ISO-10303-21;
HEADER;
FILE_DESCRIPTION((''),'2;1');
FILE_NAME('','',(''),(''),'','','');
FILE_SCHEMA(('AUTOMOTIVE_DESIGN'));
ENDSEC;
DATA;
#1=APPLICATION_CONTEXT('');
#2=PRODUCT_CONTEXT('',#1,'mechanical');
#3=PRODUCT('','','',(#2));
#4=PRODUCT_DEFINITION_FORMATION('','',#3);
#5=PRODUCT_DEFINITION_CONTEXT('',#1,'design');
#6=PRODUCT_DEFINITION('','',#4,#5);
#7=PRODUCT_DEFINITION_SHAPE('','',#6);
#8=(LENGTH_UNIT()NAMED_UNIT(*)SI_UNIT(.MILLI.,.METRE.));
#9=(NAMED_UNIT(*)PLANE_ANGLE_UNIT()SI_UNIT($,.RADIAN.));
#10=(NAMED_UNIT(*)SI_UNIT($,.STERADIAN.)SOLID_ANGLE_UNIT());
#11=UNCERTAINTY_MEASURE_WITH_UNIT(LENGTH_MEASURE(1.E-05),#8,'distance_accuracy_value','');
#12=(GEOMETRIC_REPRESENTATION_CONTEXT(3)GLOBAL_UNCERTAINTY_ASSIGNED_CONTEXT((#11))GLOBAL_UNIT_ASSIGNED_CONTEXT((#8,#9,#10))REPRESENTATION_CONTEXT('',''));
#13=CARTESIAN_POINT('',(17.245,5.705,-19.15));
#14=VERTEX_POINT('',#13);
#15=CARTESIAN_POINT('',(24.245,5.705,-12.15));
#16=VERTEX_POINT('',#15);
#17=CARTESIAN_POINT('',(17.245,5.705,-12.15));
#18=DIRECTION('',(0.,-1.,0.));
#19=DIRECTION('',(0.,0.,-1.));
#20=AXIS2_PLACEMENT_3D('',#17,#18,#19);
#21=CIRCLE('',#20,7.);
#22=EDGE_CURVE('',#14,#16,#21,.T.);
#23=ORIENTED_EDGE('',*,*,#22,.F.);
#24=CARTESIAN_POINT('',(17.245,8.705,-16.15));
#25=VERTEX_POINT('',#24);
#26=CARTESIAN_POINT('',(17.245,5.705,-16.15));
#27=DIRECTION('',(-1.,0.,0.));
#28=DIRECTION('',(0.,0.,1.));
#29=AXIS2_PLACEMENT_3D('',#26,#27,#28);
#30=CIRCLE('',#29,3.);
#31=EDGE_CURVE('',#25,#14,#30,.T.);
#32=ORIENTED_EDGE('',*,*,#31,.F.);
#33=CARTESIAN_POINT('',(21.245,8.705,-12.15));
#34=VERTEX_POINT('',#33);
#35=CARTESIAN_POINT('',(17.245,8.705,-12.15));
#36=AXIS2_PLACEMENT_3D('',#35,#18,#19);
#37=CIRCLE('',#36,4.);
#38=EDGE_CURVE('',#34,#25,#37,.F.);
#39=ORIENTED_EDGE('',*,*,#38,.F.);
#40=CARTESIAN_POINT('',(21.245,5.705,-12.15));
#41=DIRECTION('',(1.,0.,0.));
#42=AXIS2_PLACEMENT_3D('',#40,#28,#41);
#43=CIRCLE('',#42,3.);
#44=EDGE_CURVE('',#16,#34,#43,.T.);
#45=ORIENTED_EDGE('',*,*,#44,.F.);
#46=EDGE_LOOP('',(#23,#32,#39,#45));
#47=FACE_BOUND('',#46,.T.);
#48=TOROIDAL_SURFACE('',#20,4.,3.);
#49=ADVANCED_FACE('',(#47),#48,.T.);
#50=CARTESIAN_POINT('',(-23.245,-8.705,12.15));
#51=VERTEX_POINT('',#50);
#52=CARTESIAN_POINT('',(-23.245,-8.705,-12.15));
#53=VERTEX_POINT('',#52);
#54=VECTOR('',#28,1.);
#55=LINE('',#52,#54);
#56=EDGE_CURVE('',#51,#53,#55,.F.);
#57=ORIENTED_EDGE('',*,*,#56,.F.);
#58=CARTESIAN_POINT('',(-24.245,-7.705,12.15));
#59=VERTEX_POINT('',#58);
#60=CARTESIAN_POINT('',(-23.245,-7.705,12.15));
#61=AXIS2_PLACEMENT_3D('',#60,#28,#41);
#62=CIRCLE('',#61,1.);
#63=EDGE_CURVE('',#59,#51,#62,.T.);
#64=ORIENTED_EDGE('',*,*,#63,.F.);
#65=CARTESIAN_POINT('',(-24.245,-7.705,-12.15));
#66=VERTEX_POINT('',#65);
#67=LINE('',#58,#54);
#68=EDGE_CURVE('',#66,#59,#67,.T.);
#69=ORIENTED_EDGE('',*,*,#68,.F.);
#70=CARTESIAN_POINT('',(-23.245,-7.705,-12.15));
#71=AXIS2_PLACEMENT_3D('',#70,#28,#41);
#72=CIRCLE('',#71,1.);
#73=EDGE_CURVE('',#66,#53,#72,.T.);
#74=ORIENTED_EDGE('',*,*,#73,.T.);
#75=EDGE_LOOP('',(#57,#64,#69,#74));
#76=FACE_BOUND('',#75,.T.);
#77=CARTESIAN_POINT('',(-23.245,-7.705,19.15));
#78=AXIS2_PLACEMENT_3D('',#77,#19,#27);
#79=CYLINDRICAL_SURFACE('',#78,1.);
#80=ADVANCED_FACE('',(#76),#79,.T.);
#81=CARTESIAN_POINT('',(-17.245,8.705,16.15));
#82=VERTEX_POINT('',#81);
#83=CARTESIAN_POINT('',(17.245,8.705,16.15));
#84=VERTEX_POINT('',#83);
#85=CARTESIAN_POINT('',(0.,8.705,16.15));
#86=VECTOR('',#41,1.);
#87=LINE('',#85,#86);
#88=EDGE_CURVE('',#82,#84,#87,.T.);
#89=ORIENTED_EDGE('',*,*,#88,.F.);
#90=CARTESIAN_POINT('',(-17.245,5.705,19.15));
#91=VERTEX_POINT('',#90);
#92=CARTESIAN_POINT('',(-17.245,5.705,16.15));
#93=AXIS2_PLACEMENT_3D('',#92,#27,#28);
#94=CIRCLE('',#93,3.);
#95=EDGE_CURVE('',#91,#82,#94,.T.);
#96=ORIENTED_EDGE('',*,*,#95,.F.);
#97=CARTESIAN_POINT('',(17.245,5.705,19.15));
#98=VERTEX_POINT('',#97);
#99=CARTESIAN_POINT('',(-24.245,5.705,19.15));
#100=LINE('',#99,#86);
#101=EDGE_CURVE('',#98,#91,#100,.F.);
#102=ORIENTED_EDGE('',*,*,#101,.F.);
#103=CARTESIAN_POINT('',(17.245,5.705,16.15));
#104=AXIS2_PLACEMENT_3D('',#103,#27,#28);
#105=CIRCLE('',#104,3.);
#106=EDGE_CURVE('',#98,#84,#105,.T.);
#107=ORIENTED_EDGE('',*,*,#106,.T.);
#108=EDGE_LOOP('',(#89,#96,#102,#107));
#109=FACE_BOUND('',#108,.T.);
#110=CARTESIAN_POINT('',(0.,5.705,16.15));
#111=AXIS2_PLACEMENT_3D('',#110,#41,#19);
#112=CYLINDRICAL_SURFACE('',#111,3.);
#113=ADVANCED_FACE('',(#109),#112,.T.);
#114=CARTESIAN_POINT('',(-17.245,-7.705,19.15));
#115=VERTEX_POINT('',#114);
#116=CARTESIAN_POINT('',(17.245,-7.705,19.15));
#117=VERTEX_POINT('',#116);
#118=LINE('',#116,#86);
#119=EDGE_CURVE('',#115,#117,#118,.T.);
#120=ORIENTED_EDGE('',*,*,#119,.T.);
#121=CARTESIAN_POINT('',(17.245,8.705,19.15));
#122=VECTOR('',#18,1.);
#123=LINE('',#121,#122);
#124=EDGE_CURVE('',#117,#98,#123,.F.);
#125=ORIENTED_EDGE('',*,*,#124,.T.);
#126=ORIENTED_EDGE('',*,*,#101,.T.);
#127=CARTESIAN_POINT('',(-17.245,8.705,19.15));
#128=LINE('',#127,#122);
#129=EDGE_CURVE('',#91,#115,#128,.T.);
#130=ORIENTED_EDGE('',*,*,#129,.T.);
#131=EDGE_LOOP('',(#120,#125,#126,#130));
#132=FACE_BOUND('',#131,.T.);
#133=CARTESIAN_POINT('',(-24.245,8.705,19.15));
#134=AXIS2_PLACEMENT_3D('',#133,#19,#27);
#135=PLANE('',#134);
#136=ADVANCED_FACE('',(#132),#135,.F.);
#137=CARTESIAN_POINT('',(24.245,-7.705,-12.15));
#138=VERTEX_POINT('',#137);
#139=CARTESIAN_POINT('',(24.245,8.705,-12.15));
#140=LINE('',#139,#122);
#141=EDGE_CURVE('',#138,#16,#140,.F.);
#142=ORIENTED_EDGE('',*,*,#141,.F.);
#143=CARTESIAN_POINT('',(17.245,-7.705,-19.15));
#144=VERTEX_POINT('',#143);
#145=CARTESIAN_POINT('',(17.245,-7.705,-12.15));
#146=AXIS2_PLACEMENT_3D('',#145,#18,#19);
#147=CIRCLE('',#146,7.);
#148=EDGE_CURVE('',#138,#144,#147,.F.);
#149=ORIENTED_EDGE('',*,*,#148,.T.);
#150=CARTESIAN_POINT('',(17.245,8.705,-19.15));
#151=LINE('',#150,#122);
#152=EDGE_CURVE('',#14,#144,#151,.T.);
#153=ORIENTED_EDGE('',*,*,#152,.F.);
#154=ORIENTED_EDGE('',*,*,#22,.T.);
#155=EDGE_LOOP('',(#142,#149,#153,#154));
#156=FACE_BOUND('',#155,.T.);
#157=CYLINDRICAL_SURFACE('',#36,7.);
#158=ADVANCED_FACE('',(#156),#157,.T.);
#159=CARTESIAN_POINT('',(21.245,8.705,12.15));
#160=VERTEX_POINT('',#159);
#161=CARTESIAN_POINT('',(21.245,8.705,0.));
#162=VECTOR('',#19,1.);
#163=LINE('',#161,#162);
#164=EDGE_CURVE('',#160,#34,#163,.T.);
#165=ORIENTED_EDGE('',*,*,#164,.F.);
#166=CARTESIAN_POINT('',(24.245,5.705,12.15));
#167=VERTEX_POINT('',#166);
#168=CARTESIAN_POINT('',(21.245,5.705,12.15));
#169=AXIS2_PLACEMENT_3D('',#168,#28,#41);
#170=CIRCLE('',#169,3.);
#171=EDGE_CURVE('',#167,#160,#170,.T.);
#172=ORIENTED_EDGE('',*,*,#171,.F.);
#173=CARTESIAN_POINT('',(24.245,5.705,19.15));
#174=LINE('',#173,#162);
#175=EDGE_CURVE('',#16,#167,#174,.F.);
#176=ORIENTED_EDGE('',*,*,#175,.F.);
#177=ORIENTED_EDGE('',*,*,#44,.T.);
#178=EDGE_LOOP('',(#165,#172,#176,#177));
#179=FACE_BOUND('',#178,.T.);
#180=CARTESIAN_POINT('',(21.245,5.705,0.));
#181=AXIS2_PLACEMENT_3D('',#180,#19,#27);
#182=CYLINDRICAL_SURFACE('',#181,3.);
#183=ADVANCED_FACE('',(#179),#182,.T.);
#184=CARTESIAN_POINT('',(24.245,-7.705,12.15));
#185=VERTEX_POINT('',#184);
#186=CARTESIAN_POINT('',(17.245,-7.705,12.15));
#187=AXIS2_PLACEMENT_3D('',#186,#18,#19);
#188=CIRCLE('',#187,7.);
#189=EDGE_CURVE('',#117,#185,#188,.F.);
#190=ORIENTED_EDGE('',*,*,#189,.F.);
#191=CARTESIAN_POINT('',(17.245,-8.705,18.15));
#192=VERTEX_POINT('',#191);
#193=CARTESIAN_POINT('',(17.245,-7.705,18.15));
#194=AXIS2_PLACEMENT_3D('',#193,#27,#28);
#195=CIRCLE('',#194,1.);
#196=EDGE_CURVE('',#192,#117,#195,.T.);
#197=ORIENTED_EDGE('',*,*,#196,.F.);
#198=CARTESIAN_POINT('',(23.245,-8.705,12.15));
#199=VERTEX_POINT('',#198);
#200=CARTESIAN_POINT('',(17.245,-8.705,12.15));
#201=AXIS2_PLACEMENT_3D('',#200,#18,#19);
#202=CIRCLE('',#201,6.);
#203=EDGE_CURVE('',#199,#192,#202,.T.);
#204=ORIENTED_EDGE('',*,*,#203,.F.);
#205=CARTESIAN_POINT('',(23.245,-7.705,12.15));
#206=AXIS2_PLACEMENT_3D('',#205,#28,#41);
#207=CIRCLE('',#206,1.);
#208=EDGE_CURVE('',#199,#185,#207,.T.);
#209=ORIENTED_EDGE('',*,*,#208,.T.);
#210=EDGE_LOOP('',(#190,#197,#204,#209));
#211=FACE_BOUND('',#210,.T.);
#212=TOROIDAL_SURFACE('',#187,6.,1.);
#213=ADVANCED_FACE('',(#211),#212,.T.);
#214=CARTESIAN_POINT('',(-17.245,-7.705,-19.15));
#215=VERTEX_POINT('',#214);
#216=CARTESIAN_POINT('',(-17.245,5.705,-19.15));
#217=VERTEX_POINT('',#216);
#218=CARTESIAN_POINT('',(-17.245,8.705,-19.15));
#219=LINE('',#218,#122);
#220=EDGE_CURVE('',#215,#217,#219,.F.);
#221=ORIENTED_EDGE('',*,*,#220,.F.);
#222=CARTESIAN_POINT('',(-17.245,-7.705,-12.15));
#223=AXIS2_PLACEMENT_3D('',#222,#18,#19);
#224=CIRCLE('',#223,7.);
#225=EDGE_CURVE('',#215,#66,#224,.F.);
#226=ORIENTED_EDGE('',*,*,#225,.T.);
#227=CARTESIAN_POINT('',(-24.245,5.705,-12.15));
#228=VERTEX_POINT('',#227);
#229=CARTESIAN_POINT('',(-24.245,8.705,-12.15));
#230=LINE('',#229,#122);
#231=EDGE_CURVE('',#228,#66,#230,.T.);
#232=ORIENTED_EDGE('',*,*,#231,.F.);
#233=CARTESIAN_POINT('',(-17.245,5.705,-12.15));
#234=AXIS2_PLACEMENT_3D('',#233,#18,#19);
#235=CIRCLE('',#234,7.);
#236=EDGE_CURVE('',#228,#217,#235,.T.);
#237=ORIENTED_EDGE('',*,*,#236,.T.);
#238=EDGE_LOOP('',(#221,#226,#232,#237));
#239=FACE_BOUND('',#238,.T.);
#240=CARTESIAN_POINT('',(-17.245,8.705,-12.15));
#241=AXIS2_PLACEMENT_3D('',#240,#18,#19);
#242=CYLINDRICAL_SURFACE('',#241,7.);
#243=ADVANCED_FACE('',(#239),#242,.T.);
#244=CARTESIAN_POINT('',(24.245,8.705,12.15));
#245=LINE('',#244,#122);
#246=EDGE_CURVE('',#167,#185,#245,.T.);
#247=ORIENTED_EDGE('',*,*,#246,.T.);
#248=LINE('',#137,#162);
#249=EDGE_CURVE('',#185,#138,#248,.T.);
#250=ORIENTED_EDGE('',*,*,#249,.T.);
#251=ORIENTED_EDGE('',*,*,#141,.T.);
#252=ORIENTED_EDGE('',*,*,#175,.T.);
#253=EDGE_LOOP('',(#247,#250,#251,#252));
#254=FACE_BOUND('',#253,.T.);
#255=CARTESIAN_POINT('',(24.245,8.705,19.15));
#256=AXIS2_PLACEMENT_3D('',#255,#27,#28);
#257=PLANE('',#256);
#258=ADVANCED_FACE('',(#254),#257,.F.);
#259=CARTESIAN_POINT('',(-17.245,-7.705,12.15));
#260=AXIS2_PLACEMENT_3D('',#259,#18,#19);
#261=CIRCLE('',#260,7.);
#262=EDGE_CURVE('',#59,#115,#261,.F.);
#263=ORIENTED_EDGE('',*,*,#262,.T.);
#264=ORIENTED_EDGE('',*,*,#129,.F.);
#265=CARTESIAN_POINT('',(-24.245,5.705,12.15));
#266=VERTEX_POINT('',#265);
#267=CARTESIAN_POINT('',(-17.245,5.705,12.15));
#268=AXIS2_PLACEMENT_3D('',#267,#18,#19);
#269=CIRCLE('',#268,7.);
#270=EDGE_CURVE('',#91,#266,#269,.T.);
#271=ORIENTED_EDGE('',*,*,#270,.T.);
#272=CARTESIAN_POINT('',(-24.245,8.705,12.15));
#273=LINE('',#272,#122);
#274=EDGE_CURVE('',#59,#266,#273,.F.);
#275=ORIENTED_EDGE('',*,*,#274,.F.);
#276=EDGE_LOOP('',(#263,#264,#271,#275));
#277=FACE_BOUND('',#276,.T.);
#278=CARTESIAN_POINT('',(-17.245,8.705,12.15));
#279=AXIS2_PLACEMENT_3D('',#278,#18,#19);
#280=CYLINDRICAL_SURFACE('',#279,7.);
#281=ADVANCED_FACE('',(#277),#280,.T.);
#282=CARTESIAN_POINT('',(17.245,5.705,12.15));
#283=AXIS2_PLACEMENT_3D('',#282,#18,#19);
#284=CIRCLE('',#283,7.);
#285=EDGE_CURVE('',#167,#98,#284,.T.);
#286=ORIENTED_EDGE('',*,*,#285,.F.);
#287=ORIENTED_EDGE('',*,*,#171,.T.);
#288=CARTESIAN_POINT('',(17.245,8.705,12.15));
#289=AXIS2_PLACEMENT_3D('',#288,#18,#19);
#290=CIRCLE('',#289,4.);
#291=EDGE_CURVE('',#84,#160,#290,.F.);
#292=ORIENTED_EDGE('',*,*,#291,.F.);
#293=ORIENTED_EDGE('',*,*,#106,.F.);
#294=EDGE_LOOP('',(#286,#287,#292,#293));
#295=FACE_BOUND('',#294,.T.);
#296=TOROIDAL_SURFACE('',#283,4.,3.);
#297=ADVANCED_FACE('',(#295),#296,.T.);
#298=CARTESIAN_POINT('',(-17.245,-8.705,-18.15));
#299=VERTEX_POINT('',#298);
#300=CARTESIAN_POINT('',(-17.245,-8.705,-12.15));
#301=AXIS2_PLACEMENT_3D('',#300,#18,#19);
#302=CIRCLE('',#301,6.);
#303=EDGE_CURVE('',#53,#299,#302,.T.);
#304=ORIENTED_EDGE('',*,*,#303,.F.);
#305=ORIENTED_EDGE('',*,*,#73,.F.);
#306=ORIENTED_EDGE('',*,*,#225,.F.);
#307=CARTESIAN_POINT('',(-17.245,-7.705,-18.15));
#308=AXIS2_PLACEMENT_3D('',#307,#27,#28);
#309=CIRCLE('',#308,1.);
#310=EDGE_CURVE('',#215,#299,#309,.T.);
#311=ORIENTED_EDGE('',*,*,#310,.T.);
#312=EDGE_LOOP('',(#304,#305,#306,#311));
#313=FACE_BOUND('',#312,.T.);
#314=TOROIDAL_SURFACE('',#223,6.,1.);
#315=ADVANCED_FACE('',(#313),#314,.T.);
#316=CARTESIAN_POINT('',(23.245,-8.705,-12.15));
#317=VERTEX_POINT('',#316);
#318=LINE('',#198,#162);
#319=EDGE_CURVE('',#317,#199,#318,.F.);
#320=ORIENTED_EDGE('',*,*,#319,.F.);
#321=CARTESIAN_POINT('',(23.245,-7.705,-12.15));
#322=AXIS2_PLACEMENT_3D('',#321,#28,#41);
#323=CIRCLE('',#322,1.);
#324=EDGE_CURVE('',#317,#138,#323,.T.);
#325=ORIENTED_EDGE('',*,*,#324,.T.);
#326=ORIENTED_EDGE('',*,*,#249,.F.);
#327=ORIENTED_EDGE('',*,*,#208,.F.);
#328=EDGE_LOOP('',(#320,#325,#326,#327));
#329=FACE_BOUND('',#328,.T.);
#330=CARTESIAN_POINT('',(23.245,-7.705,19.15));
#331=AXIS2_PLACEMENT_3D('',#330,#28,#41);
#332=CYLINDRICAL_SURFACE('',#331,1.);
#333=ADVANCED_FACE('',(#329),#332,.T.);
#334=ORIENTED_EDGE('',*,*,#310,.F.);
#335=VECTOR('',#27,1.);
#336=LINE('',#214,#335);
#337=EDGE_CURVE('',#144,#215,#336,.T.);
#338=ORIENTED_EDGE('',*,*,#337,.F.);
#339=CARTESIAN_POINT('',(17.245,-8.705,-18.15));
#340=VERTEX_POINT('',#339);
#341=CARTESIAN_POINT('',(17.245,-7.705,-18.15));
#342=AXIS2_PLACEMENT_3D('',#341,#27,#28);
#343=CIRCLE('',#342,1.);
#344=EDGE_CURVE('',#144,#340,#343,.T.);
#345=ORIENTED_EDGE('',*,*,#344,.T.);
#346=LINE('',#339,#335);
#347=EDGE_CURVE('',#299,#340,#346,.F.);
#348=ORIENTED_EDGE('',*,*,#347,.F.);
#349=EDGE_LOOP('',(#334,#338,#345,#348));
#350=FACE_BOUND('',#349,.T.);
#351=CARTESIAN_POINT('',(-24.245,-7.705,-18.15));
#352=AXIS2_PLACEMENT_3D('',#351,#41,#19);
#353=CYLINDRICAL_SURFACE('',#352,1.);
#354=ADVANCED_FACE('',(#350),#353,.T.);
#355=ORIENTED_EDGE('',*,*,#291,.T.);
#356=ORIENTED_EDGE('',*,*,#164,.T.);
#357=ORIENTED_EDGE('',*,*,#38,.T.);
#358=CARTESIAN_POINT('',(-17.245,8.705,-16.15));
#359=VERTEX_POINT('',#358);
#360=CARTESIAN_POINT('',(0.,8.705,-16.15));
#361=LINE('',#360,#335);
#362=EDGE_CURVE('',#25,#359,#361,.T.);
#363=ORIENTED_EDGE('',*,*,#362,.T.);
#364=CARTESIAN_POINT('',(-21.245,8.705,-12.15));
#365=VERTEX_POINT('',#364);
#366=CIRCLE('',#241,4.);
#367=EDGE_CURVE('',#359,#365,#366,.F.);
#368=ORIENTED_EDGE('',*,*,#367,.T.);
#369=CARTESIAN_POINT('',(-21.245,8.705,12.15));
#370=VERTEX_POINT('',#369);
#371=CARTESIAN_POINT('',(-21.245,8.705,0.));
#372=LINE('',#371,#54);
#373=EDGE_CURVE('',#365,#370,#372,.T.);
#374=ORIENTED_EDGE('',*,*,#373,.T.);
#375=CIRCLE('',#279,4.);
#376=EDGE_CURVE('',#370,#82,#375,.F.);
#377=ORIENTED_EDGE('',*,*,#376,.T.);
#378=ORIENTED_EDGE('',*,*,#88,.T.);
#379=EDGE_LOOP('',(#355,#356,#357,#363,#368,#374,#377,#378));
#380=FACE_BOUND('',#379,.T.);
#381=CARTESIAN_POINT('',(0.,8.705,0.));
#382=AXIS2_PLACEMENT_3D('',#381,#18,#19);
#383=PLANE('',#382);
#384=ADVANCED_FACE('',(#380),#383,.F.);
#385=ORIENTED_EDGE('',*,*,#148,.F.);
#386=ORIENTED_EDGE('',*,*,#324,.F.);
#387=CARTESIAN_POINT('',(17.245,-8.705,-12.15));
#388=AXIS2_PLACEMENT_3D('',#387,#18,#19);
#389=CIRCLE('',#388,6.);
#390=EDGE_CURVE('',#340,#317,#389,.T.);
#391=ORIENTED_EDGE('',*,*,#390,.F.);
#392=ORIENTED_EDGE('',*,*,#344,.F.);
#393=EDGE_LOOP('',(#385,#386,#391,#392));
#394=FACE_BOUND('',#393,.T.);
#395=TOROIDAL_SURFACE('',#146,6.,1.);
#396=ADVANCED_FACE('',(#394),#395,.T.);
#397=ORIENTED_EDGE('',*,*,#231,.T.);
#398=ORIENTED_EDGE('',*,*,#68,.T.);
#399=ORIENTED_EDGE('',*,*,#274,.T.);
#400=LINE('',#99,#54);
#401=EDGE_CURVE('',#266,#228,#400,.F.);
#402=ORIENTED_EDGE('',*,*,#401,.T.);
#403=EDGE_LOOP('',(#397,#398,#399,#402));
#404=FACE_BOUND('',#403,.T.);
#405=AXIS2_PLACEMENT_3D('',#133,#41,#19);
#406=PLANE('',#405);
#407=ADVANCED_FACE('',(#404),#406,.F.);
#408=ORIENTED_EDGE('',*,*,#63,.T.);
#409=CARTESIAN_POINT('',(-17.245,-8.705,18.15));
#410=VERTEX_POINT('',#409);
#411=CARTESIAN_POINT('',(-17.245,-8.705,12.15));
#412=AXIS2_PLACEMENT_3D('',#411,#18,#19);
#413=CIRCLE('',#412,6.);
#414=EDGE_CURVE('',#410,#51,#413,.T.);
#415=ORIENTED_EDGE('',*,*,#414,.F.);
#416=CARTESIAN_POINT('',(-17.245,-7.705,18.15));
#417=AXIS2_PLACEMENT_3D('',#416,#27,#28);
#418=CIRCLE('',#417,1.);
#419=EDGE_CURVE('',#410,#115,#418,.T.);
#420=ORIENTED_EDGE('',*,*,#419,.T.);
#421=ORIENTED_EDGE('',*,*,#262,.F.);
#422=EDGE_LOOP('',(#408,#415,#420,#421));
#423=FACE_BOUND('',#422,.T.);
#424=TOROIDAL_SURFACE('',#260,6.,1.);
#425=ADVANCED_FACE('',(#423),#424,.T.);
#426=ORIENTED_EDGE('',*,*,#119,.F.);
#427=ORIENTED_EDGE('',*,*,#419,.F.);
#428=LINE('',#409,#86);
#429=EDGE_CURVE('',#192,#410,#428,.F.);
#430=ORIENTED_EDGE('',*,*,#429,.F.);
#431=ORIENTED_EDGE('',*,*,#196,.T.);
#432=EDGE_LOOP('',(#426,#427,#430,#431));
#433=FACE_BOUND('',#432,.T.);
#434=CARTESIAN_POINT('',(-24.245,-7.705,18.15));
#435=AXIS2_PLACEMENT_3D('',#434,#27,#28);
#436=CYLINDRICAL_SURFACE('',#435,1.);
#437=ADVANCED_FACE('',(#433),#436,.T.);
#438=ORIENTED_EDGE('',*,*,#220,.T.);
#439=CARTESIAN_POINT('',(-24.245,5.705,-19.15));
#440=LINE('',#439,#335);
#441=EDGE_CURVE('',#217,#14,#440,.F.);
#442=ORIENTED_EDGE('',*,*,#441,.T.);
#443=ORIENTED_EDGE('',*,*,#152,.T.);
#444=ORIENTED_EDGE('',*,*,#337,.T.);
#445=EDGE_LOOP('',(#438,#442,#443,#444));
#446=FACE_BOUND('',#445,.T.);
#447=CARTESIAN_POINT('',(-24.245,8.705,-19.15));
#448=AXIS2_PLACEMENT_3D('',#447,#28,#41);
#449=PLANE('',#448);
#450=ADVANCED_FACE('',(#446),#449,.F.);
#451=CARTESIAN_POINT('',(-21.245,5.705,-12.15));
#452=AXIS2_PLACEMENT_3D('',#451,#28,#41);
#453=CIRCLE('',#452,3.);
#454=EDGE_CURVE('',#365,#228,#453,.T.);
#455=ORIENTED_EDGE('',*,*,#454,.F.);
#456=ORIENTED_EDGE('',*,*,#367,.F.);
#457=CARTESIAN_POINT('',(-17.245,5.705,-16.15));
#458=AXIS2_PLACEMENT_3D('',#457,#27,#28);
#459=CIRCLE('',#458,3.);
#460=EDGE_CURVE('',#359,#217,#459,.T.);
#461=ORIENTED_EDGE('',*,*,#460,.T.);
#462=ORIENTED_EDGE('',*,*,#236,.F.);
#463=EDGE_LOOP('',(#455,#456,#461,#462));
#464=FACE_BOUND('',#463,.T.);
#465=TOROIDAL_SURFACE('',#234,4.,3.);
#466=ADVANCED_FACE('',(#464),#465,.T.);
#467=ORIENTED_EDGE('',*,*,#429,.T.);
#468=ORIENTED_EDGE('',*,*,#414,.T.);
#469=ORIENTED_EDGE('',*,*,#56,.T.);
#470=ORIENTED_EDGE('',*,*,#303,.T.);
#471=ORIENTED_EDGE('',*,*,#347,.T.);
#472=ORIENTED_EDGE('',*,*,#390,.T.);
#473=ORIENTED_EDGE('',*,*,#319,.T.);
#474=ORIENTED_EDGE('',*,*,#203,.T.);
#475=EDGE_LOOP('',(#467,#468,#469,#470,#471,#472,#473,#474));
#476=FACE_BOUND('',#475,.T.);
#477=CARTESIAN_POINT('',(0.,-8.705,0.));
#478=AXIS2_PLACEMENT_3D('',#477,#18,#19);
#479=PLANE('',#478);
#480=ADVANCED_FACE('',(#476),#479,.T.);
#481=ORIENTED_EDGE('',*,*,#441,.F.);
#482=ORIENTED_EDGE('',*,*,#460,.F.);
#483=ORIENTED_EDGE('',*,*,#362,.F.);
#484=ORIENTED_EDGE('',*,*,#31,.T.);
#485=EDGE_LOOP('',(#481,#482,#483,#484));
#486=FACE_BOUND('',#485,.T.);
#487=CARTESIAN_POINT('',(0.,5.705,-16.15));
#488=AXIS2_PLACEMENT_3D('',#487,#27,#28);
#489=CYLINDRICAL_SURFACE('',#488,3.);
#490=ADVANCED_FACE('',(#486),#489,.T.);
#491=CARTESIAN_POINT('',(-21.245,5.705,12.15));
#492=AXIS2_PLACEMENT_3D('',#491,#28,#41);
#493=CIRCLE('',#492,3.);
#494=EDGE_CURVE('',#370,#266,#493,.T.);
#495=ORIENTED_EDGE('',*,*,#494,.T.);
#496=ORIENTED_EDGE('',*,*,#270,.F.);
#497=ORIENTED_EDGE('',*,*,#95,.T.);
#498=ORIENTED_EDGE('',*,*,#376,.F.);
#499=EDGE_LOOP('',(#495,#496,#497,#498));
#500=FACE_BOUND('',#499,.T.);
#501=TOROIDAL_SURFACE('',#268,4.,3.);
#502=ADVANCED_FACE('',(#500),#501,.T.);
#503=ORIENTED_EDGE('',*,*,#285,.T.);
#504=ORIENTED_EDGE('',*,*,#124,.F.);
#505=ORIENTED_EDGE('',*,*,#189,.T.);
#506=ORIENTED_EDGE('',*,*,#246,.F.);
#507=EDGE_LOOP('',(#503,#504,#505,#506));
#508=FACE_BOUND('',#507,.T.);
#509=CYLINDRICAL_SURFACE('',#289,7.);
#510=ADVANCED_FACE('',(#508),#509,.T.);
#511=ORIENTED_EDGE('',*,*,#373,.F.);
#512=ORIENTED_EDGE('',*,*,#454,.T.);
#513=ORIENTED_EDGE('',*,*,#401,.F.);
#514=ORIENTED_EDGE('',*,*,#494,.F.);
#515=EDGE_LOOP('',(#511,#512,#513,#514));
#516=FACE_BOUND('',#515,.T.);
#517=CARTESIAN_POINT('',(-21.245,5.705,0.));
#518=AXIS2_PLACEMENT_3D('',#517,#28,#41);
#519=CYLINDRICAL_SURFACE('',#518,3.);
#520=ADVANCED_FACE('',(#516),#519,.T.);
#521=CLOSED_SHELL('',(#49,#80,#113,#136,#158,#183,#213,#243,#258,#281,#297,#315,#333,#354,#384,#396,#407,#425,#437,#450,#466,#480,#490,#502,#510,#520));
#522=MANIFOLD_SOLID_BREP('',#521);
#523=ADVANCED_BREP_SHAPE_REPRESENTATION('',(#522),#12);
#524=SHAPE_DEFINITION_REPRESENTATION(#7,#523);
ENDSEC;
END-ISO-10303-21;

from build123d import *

# Parameters (mm, degrees)
SKETCH1_W           = 48.49
SKETCH1_H           = 38.3
BOSS_EXTRUDE1_DEPTH = 8.705
FILLET1_R           = 7
FILLET2_R           = 3
FILLET3_R           = 1


with BuildPart() as part:
    # Sketch1 → Boss-Extrude1 (new, symmetric)
    with BuildSketch(Plane(origin=(0, 0, 0), x_dir=(1, 0, 0), z_dir=(0, 1, 0))):
        Rectangle(SKETCH1_W, SKETCH1_H)
    extrude(amount=BOSS_EXTRUDE1_DEPTH, both=True)

    # Fillet1
    fillet1_edges = [part.edges().sort_by_distance(p)[0] for p in [
        (24.245, 0, 19.15),
        (-24.245, 0, 19.15),
        (-24.245, 0, -19.15),
        (24.245, 0, -19.15),
    ]]
    fillet(fillet1_edges, radius=FILLET1_R)

    # Fillet2
    fillet2_edges = [part.edges().sort_by_distance(p)[0] for p in [
        (-24.245, 8.705, 0),
        (0, 8.705, -19.15),
        (24.245, 8.705, 0),
        (0, 8.705, 19.15),
        (-22.194747468, 8.705, 17.099747468),
        (22.194747468, 8.705, 17.099747468),
        (22.194747468, 8.705, -17.099747468),
        (-22.194747468, 8.705, -17.099747468),
    ]]
    fillet(fillet2_edges, radius=FILLET2_R)

    # Fillet3
    fillet3_edges = [part.edges().sort_by_distance(p)[0] for p in [
        (-24.245, -8.705, 0),
        (24.245, -8.705, 0),
        (0, -8.705, 19.15),
        (0, -8.705, -19.15),
        (-22.194747468, -8.705, 17.099747468),
        (22.194747468, -8.705, 17.099747468),
        (22.194747468, -8.705, -17.099747468),
        (-22.194747468, -8.705, -17.099747468),
    ]]
    fillet(fillet3_edges, radius=FILLET3_R)


solid = part.part
